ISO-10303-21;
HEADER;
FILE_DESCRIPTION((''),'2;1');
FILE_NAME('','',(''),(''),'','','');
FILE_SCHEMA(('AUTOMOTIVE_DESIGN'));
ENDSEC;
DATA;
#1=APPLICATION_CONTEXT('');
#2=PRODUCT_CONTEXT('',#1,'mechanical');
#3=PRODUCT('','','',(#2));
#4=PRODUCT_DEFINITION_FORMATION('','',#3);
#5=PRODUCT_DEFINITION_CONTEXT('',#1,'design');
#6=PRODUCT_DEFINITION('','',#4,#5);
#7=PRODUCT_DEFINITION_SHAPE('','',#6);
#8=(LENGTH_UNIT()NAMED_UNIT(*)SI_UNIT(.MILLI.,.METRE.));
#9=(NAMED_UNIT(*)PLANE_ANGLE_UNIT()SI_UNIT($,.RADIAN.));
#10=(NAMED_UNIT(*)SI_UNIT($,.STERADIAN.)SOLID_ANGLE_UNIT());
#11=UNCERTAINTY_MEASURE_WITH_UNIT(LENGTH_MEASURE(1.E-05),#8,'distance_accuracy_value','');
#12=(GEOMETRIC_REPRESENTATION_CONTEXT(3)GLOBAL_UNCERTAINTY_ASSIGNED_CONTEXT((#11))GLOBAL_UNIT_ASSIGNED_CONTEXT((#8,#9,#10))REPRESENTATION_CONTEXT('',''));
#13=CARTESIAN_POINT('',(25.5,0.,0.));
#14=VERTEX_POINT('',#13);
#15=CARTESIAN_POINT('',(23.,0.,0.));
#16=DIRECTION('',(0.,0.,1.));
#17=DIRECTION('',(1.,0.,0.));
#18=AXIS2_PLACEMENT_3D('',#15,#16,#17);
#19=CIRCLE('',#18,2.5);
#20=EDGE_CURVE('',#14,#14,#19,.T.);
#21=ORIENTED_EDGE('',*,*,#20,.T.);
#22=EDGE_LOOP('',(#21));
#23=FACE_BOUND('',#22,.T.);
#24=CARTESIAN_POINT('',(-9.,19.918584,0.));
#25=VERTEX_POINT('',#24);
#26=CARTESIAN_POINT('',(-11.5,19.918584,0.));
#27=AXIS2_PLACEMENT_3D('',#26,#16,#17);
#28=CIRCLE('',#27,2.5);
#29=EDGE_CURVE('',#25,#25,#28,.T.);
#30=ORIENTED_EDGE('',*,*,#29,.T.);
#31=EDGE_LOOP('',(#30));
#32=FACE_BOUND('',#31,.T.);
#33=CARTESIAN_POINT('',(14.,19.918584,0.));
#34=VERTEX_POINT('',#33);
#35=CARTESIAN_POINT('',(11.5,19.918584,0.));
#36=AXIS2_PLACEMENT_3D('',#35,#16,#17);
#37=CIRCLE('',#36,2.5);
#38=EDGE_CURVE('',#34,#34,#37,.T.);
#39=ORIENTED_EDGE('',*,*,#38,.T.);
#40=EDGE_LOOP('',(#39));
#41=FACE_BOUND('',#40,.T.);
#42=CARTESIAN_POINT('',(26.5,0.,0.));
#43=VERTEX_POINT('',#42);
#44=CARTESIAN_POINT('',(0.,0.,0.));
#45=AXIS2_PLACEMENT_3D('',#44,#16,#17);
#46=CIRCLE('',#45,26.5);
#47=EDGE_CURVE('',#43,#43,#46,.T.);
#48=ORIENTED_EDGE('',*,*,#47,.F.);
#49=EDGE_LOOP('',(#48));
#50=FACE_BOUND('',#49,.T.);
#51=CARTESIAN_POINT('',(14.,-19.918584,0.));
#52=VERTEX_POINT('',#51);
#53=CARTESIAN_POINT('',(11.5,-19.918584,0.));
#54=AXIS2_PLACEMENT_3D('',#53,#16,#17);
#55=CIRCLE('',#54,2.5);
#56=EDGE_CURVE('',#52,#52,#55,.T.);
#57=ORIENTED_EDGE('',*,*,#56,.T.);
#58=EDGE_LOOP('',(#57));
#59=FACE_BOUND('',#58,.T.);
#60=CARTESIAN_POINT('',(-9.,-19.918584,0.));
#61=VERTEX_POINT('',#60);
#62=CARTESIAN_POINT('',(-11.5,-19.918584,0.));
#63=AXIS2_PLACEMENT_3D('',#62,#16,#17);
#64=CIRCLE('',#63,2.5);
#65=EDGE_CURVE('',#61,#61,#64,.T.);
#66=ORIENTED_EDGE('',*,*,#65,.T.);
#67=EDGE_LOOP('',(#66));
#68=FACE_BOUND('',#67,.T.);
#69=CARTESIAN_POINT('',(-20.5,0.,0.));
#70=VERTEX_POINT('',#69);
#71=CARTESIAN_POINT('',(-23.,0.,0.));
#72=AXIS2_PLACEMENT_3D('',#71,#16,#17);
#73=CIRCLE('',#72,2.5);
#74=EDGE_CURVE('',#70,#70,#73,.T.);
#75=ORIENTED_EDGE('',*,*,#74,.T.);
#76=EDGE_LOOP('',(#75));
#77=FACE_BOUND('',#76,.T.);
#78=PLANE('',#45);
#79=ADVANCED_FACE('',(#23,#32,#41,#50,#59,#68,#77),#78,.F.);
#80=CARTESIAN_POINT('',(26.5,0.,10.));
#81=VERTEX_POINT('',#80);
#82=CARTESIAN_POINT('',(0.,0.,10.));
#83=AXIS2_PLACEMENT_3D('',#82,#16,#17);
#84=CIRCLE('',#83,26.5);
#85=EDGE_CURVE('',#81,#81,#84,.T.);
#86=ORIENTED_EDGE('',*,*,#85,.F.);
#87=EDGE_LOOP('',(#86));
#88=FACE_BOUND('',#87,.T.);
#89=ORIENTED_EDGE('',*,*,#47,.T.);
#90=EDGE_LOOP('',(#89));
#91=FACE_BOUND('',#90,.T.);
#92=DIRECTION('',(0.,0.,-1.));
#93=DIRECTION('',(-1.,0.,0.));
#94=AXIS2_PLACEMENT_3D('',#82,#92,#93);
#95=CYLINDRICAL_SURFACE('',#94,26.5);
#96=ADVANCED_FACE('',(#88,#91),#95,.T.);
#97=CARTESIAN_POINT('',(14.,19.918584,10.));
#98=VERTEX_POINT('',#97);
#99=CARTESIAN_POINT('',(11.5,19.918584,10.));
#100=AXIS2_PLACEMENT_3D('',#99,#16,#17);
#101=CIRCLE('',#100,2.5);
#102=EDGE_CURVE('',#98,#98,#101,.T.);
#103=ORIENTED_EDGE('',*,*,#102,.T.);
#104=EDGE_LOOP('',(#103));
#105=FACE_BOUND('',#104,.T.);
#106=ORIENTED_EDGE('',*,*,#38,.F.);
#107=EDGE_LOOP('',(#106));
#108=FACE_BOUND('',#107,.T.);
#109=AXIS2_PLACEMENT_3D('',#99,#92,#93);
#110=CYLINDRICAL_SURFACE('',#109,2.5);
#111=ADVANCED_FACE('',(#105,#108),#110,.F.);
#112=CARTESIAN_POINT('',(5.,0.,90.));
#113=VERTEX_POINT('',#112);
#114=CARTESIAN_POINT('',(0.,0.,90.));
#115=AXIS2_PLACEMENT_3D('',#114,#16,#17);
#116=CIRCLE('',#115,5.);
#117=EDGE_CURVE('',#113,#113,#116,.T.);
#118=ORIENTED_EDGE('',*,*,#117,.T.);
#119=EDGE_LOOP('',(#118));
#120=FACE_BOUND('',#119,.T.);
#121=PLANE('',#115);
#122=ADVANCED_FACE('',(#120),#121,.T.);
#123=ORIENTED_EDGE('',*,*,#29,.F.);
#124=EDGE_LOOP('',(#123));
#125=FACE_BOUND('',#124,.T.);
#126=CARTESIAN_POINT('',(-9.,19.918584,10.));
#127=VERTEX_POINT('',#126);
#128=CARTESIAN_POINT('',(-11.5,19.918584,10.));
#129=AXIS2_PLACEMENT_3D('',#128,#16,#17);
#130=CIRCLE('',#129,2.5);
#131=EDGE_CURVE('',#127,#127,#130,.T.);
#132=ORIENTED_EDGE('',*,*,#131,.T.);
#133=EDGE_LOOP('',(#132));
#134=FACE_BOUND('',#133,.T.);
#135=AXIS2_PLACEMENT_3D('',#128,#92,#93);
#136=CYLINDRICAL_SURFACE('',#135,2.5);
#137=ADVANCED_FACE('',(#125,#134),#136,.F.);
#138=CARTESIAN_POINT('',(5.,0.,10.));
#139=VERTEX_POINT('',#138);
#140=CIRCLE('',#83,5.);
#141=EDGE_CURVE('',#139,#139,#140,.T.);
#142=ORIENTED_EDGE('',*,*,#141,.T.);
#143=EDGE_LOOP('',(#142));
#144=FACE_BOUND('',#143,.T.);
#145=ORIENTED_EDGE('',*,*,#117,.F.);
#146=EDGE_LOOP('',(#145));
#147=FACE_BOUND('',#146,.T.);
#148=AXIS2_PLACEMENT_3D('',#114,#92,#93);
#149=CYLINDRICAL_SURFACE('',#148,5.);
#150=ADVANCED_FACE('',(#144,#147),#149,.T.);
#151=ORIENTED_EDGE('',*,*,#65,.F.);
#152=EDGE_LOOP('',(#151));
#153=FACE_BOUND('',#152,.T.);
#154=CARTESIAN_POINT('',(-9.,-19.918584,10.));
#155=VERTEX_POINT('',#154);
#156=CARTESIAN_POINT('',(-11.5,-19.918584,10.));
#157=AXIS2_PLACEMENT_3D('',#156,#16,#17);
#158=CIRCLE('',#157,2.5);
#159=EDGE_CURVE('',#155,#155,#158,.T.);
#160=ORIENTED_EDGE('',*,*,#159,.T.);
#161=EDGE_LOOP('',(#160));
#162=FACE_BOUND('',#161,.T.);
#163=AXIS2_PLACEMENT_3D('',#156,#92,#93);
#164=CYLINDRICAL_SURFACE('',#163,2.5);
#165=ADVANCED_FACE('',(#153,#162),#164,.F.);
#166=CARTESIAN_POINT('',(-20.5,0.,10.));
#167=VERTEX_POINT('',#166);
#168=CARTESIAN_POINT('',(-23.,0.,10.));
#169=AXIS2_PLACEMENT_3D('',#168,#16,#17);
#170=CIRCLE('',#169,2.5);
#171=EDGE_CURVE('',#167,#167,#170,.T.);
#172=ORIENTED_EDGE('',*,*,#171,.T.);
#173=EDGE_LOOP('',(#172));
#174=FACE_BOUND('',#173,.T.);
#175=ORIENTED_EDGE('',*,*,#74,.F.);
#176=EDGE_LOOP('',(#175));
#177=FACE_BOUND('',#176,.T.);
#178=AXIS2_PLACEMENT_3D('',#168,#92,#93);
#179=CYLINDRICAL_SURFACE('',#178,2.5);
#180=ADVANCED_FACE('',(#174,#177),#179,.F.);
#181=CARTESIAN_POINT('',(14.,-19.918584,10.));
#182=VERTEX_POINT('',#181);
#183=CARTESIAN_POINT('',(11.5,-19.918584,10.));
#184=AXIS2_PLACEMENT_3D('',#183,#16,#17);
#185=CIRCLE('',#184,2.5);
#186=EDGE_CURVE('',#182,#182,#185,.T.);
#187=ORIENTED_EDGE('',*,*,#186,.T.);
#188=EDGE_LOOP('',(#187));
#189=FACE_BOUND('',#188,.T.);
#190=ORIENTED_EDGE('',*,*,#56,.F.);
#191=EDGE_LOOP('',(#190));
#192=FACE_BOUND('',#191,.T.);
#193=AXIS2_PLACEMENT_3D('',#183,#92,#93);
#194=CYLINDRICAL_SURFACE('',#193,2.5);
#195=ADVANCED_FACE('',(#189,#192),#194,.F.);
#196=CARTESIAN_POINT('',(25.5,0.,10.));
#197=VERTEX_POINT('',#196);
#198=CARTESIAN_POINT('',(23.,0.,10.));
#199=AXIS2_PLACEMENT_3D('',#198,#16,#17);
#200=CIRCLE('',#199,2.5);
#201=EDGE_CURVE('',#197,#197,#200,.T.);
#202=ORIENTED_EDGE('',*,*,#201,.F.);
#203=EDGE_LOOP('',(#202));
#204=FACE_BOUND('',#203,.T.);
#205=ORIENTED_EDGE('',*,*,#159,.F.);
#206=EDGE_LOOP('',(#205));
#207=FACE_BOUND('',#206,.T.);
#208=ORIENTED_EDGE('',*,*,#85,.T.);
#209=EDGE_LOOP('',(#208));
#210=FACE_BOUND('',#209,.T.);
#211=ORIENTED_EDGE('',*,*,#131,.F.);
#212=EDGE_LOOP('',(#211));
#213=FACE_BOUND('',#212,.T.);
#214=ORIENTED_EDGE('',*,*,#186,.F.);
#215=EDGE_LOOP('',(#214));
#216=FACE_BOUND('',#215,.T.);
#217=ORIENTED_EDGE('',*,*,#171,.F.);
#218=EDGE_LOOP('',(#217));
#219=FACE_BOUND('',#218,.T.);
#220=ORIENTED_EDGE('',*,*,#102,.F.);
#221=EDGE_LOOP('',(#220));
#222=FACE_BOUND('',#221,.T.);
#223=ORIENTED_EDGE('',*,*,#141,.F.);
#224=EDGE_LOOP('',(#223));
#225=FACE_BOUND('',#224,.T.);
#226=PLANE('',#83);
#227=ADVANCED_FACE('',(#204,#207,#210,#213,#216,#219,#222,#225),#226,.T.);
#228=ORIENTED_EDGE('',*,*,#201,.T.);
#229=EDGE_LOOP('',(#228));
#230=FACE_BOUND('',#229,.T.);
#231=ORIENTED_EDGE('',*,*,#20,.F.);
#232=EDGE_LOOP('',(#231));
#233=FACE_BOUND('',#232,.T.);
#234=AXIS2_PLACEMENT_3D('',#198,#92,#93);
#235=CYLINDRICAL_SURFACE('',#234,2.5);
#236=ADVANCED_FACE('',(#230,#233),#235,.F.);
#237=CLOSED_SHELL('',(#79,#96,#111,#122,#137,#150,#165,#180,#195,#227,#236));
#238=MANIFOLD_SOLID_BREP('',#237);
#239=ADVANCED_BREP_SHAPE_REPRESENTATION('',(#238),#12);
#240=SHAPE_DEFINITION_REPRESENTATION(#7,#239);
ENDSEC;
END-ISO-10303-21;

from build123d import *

# Parameters (mm, degrees)
SKETCH1_R           = 26.5
SKETCH1_R_2         = 2.5
BOSS_EXTRUDE1_DEPTH = 10
SKETCH2_R           = 5
BOSS_EXTRUDE2_DEPTH = 80


with BuildPart() as part:
    # Sketch1 → Boss-Extrude1 (new body)
    with BuildSketch(Plane.XY):
        Circle(SKETCH1_R)
        with Locations((23, 0)):
            Circle(SKETCH1_R_2, mode=Mode.SUBTRACT)
        with Locations((11.5, 19.918584287)):
            Circle(SKETCH1_R_2, mode=Mode.SUBTRACT)
        with Locations((-11.5, 19.918584287)):
            Circle(SKETCH1_R_2, mode=Mode.SUBTRACT)
        with Locations((-23, 0)):
            Circle(SKETCH1_R_2, mode=Mode.SUBTRACT)
        with Locations((-11.5, -19.918584287)):
            Circle(SKETCH1_R_2, mode=Mode.SUBTRACT)
        with Locations((11.5, -19.918584287)):
            Circle(SKETCH1_R_2, mode=Mode.SUBTRACT)
    extrude(amount=BOSS_EXTRUDE1_DEPTH)

    # Sketch2 → Boss-Extrude2 (add)
    with BuildSketch(Plane.XY.offset(10)):
        Circle(SKETCH2_R)
    extrude(amount=BOSS_EXTRUDE2_DEPTH)


solid = part.part
